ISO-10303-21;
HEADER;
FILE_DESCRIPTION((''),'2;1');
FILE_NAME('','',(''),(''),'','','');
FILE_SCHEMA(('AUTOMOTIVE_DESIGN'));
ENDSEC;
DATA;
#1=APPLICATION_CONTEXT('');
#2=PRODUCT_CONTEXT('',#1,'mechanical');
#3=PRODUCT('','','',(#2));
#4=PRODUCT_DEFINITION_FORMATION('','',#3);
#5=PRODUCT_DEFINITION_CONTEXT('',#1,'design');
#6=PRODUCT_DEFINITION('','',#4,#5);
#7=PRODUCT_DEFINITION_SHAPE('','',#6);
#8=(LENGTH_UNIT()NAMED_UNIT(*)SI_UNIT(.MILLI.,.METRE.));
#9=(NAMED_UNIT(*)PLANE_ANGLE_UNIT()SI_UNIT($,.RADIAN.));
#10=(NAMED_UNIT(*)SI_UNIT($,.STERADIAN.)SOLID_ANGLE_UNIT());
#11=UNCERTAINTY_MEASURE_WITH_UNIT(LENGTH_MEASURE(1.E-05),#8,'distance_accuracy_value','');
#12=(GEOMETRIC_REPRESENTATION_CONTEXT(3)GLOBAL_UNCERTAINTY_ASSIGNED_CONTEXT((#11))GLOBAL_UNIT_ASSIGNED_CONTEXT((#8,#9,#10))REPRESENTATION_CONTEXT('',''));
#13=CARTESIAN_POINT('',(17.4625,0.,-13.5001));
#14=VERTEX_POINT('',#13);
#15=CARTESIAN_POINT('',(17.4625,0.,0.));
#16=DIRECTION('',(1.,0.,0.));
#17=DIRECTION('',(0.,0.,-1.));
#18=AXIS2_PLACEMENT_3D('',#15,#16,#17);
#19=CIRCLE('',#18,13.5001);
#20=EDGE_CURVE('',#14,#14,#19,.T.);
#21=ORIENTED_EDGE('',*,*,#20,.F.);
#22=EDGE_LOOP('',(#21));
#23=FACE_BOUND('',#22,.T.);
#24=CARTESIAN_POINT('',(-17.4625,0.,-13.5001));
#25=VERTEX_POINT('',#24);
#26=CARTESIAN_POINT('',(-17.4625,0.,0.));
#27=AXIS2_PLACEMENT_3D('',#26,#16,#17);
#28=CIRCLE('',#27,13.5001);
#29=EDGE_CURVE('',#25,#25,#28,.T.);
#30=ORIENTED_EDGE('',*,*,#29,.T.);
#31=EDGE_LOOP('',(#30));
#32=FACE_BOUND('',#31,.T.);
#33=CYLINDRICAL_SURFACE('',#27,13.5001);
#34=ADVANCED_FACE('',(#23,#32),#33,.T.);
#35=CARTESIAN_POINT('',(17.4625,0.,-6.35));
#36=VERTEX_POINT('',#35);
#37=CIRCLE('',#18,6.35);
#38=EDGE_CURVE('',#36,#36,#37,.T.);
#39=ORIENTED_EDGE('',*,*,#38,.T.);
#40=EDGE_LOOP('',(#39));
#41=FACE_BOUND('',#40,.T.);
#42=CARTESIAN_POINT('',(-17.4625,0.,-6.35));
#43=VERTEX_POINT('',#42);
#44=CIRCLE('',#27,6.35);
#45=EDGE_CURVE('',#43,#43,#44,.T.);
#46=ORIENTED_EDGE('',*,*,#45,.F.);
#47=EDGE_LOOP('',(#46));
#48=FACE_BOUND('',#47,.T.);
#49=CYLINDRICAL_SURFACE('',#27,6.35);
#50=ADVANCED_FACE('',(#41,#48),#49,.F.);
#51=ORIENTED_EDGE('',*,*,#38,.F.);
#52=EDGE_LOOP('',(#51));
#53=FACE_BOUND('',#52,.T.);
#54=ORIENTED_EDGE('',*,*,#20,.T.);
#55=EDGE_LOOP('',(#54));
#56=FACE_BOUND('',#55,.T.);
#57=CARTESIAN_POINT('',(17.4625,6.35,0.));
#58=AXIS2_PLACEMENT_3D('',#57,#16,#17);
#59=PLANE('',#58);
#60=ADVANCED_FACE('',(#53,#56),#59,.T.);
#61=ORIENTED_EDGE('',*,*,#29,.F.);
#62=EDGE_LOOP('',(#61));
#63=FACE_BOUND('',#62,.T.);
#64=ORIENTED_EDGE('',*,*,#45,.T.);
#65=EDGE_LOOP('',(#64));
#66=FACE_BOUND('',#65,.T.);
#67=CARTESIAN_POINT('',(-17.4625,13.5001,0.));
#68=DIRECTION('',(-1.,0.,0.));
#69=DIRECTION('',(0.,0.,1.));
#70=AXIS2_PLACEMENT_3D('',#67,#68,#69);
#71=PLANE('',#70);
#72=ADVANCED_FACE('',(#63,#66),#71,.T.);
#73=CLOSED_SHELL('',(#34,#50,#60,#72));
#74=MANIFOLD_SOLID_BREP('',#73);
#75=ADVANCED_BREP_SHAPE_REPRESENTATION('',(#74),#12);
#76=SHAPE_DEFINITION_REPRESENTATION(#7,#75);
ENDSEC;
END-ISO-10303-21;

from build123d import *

# Parameters (mm, degrees)
ESBO_O1_W = 34.925
ESBO_O1_H = 7.1501


with BuildPart() as part:
    # Esboço1 → Revolução1 (revolve)
    with BuildSketch(Plane.XY, mode=Mode.PRIVATE) as revolu_o1_sk:
        with Locations((0, 9.92505)):
            Rectangle(ESBO_O1_W, ESBO_O1_H)
    revolve(revolu_o1_sk.sketch.rotate(Axis((-17.4625, 0, 0), (1, 0, 0)), 270), axis=Axis((-17.4625, 0, 0), (1, 0, 0)))


solid = part.part
